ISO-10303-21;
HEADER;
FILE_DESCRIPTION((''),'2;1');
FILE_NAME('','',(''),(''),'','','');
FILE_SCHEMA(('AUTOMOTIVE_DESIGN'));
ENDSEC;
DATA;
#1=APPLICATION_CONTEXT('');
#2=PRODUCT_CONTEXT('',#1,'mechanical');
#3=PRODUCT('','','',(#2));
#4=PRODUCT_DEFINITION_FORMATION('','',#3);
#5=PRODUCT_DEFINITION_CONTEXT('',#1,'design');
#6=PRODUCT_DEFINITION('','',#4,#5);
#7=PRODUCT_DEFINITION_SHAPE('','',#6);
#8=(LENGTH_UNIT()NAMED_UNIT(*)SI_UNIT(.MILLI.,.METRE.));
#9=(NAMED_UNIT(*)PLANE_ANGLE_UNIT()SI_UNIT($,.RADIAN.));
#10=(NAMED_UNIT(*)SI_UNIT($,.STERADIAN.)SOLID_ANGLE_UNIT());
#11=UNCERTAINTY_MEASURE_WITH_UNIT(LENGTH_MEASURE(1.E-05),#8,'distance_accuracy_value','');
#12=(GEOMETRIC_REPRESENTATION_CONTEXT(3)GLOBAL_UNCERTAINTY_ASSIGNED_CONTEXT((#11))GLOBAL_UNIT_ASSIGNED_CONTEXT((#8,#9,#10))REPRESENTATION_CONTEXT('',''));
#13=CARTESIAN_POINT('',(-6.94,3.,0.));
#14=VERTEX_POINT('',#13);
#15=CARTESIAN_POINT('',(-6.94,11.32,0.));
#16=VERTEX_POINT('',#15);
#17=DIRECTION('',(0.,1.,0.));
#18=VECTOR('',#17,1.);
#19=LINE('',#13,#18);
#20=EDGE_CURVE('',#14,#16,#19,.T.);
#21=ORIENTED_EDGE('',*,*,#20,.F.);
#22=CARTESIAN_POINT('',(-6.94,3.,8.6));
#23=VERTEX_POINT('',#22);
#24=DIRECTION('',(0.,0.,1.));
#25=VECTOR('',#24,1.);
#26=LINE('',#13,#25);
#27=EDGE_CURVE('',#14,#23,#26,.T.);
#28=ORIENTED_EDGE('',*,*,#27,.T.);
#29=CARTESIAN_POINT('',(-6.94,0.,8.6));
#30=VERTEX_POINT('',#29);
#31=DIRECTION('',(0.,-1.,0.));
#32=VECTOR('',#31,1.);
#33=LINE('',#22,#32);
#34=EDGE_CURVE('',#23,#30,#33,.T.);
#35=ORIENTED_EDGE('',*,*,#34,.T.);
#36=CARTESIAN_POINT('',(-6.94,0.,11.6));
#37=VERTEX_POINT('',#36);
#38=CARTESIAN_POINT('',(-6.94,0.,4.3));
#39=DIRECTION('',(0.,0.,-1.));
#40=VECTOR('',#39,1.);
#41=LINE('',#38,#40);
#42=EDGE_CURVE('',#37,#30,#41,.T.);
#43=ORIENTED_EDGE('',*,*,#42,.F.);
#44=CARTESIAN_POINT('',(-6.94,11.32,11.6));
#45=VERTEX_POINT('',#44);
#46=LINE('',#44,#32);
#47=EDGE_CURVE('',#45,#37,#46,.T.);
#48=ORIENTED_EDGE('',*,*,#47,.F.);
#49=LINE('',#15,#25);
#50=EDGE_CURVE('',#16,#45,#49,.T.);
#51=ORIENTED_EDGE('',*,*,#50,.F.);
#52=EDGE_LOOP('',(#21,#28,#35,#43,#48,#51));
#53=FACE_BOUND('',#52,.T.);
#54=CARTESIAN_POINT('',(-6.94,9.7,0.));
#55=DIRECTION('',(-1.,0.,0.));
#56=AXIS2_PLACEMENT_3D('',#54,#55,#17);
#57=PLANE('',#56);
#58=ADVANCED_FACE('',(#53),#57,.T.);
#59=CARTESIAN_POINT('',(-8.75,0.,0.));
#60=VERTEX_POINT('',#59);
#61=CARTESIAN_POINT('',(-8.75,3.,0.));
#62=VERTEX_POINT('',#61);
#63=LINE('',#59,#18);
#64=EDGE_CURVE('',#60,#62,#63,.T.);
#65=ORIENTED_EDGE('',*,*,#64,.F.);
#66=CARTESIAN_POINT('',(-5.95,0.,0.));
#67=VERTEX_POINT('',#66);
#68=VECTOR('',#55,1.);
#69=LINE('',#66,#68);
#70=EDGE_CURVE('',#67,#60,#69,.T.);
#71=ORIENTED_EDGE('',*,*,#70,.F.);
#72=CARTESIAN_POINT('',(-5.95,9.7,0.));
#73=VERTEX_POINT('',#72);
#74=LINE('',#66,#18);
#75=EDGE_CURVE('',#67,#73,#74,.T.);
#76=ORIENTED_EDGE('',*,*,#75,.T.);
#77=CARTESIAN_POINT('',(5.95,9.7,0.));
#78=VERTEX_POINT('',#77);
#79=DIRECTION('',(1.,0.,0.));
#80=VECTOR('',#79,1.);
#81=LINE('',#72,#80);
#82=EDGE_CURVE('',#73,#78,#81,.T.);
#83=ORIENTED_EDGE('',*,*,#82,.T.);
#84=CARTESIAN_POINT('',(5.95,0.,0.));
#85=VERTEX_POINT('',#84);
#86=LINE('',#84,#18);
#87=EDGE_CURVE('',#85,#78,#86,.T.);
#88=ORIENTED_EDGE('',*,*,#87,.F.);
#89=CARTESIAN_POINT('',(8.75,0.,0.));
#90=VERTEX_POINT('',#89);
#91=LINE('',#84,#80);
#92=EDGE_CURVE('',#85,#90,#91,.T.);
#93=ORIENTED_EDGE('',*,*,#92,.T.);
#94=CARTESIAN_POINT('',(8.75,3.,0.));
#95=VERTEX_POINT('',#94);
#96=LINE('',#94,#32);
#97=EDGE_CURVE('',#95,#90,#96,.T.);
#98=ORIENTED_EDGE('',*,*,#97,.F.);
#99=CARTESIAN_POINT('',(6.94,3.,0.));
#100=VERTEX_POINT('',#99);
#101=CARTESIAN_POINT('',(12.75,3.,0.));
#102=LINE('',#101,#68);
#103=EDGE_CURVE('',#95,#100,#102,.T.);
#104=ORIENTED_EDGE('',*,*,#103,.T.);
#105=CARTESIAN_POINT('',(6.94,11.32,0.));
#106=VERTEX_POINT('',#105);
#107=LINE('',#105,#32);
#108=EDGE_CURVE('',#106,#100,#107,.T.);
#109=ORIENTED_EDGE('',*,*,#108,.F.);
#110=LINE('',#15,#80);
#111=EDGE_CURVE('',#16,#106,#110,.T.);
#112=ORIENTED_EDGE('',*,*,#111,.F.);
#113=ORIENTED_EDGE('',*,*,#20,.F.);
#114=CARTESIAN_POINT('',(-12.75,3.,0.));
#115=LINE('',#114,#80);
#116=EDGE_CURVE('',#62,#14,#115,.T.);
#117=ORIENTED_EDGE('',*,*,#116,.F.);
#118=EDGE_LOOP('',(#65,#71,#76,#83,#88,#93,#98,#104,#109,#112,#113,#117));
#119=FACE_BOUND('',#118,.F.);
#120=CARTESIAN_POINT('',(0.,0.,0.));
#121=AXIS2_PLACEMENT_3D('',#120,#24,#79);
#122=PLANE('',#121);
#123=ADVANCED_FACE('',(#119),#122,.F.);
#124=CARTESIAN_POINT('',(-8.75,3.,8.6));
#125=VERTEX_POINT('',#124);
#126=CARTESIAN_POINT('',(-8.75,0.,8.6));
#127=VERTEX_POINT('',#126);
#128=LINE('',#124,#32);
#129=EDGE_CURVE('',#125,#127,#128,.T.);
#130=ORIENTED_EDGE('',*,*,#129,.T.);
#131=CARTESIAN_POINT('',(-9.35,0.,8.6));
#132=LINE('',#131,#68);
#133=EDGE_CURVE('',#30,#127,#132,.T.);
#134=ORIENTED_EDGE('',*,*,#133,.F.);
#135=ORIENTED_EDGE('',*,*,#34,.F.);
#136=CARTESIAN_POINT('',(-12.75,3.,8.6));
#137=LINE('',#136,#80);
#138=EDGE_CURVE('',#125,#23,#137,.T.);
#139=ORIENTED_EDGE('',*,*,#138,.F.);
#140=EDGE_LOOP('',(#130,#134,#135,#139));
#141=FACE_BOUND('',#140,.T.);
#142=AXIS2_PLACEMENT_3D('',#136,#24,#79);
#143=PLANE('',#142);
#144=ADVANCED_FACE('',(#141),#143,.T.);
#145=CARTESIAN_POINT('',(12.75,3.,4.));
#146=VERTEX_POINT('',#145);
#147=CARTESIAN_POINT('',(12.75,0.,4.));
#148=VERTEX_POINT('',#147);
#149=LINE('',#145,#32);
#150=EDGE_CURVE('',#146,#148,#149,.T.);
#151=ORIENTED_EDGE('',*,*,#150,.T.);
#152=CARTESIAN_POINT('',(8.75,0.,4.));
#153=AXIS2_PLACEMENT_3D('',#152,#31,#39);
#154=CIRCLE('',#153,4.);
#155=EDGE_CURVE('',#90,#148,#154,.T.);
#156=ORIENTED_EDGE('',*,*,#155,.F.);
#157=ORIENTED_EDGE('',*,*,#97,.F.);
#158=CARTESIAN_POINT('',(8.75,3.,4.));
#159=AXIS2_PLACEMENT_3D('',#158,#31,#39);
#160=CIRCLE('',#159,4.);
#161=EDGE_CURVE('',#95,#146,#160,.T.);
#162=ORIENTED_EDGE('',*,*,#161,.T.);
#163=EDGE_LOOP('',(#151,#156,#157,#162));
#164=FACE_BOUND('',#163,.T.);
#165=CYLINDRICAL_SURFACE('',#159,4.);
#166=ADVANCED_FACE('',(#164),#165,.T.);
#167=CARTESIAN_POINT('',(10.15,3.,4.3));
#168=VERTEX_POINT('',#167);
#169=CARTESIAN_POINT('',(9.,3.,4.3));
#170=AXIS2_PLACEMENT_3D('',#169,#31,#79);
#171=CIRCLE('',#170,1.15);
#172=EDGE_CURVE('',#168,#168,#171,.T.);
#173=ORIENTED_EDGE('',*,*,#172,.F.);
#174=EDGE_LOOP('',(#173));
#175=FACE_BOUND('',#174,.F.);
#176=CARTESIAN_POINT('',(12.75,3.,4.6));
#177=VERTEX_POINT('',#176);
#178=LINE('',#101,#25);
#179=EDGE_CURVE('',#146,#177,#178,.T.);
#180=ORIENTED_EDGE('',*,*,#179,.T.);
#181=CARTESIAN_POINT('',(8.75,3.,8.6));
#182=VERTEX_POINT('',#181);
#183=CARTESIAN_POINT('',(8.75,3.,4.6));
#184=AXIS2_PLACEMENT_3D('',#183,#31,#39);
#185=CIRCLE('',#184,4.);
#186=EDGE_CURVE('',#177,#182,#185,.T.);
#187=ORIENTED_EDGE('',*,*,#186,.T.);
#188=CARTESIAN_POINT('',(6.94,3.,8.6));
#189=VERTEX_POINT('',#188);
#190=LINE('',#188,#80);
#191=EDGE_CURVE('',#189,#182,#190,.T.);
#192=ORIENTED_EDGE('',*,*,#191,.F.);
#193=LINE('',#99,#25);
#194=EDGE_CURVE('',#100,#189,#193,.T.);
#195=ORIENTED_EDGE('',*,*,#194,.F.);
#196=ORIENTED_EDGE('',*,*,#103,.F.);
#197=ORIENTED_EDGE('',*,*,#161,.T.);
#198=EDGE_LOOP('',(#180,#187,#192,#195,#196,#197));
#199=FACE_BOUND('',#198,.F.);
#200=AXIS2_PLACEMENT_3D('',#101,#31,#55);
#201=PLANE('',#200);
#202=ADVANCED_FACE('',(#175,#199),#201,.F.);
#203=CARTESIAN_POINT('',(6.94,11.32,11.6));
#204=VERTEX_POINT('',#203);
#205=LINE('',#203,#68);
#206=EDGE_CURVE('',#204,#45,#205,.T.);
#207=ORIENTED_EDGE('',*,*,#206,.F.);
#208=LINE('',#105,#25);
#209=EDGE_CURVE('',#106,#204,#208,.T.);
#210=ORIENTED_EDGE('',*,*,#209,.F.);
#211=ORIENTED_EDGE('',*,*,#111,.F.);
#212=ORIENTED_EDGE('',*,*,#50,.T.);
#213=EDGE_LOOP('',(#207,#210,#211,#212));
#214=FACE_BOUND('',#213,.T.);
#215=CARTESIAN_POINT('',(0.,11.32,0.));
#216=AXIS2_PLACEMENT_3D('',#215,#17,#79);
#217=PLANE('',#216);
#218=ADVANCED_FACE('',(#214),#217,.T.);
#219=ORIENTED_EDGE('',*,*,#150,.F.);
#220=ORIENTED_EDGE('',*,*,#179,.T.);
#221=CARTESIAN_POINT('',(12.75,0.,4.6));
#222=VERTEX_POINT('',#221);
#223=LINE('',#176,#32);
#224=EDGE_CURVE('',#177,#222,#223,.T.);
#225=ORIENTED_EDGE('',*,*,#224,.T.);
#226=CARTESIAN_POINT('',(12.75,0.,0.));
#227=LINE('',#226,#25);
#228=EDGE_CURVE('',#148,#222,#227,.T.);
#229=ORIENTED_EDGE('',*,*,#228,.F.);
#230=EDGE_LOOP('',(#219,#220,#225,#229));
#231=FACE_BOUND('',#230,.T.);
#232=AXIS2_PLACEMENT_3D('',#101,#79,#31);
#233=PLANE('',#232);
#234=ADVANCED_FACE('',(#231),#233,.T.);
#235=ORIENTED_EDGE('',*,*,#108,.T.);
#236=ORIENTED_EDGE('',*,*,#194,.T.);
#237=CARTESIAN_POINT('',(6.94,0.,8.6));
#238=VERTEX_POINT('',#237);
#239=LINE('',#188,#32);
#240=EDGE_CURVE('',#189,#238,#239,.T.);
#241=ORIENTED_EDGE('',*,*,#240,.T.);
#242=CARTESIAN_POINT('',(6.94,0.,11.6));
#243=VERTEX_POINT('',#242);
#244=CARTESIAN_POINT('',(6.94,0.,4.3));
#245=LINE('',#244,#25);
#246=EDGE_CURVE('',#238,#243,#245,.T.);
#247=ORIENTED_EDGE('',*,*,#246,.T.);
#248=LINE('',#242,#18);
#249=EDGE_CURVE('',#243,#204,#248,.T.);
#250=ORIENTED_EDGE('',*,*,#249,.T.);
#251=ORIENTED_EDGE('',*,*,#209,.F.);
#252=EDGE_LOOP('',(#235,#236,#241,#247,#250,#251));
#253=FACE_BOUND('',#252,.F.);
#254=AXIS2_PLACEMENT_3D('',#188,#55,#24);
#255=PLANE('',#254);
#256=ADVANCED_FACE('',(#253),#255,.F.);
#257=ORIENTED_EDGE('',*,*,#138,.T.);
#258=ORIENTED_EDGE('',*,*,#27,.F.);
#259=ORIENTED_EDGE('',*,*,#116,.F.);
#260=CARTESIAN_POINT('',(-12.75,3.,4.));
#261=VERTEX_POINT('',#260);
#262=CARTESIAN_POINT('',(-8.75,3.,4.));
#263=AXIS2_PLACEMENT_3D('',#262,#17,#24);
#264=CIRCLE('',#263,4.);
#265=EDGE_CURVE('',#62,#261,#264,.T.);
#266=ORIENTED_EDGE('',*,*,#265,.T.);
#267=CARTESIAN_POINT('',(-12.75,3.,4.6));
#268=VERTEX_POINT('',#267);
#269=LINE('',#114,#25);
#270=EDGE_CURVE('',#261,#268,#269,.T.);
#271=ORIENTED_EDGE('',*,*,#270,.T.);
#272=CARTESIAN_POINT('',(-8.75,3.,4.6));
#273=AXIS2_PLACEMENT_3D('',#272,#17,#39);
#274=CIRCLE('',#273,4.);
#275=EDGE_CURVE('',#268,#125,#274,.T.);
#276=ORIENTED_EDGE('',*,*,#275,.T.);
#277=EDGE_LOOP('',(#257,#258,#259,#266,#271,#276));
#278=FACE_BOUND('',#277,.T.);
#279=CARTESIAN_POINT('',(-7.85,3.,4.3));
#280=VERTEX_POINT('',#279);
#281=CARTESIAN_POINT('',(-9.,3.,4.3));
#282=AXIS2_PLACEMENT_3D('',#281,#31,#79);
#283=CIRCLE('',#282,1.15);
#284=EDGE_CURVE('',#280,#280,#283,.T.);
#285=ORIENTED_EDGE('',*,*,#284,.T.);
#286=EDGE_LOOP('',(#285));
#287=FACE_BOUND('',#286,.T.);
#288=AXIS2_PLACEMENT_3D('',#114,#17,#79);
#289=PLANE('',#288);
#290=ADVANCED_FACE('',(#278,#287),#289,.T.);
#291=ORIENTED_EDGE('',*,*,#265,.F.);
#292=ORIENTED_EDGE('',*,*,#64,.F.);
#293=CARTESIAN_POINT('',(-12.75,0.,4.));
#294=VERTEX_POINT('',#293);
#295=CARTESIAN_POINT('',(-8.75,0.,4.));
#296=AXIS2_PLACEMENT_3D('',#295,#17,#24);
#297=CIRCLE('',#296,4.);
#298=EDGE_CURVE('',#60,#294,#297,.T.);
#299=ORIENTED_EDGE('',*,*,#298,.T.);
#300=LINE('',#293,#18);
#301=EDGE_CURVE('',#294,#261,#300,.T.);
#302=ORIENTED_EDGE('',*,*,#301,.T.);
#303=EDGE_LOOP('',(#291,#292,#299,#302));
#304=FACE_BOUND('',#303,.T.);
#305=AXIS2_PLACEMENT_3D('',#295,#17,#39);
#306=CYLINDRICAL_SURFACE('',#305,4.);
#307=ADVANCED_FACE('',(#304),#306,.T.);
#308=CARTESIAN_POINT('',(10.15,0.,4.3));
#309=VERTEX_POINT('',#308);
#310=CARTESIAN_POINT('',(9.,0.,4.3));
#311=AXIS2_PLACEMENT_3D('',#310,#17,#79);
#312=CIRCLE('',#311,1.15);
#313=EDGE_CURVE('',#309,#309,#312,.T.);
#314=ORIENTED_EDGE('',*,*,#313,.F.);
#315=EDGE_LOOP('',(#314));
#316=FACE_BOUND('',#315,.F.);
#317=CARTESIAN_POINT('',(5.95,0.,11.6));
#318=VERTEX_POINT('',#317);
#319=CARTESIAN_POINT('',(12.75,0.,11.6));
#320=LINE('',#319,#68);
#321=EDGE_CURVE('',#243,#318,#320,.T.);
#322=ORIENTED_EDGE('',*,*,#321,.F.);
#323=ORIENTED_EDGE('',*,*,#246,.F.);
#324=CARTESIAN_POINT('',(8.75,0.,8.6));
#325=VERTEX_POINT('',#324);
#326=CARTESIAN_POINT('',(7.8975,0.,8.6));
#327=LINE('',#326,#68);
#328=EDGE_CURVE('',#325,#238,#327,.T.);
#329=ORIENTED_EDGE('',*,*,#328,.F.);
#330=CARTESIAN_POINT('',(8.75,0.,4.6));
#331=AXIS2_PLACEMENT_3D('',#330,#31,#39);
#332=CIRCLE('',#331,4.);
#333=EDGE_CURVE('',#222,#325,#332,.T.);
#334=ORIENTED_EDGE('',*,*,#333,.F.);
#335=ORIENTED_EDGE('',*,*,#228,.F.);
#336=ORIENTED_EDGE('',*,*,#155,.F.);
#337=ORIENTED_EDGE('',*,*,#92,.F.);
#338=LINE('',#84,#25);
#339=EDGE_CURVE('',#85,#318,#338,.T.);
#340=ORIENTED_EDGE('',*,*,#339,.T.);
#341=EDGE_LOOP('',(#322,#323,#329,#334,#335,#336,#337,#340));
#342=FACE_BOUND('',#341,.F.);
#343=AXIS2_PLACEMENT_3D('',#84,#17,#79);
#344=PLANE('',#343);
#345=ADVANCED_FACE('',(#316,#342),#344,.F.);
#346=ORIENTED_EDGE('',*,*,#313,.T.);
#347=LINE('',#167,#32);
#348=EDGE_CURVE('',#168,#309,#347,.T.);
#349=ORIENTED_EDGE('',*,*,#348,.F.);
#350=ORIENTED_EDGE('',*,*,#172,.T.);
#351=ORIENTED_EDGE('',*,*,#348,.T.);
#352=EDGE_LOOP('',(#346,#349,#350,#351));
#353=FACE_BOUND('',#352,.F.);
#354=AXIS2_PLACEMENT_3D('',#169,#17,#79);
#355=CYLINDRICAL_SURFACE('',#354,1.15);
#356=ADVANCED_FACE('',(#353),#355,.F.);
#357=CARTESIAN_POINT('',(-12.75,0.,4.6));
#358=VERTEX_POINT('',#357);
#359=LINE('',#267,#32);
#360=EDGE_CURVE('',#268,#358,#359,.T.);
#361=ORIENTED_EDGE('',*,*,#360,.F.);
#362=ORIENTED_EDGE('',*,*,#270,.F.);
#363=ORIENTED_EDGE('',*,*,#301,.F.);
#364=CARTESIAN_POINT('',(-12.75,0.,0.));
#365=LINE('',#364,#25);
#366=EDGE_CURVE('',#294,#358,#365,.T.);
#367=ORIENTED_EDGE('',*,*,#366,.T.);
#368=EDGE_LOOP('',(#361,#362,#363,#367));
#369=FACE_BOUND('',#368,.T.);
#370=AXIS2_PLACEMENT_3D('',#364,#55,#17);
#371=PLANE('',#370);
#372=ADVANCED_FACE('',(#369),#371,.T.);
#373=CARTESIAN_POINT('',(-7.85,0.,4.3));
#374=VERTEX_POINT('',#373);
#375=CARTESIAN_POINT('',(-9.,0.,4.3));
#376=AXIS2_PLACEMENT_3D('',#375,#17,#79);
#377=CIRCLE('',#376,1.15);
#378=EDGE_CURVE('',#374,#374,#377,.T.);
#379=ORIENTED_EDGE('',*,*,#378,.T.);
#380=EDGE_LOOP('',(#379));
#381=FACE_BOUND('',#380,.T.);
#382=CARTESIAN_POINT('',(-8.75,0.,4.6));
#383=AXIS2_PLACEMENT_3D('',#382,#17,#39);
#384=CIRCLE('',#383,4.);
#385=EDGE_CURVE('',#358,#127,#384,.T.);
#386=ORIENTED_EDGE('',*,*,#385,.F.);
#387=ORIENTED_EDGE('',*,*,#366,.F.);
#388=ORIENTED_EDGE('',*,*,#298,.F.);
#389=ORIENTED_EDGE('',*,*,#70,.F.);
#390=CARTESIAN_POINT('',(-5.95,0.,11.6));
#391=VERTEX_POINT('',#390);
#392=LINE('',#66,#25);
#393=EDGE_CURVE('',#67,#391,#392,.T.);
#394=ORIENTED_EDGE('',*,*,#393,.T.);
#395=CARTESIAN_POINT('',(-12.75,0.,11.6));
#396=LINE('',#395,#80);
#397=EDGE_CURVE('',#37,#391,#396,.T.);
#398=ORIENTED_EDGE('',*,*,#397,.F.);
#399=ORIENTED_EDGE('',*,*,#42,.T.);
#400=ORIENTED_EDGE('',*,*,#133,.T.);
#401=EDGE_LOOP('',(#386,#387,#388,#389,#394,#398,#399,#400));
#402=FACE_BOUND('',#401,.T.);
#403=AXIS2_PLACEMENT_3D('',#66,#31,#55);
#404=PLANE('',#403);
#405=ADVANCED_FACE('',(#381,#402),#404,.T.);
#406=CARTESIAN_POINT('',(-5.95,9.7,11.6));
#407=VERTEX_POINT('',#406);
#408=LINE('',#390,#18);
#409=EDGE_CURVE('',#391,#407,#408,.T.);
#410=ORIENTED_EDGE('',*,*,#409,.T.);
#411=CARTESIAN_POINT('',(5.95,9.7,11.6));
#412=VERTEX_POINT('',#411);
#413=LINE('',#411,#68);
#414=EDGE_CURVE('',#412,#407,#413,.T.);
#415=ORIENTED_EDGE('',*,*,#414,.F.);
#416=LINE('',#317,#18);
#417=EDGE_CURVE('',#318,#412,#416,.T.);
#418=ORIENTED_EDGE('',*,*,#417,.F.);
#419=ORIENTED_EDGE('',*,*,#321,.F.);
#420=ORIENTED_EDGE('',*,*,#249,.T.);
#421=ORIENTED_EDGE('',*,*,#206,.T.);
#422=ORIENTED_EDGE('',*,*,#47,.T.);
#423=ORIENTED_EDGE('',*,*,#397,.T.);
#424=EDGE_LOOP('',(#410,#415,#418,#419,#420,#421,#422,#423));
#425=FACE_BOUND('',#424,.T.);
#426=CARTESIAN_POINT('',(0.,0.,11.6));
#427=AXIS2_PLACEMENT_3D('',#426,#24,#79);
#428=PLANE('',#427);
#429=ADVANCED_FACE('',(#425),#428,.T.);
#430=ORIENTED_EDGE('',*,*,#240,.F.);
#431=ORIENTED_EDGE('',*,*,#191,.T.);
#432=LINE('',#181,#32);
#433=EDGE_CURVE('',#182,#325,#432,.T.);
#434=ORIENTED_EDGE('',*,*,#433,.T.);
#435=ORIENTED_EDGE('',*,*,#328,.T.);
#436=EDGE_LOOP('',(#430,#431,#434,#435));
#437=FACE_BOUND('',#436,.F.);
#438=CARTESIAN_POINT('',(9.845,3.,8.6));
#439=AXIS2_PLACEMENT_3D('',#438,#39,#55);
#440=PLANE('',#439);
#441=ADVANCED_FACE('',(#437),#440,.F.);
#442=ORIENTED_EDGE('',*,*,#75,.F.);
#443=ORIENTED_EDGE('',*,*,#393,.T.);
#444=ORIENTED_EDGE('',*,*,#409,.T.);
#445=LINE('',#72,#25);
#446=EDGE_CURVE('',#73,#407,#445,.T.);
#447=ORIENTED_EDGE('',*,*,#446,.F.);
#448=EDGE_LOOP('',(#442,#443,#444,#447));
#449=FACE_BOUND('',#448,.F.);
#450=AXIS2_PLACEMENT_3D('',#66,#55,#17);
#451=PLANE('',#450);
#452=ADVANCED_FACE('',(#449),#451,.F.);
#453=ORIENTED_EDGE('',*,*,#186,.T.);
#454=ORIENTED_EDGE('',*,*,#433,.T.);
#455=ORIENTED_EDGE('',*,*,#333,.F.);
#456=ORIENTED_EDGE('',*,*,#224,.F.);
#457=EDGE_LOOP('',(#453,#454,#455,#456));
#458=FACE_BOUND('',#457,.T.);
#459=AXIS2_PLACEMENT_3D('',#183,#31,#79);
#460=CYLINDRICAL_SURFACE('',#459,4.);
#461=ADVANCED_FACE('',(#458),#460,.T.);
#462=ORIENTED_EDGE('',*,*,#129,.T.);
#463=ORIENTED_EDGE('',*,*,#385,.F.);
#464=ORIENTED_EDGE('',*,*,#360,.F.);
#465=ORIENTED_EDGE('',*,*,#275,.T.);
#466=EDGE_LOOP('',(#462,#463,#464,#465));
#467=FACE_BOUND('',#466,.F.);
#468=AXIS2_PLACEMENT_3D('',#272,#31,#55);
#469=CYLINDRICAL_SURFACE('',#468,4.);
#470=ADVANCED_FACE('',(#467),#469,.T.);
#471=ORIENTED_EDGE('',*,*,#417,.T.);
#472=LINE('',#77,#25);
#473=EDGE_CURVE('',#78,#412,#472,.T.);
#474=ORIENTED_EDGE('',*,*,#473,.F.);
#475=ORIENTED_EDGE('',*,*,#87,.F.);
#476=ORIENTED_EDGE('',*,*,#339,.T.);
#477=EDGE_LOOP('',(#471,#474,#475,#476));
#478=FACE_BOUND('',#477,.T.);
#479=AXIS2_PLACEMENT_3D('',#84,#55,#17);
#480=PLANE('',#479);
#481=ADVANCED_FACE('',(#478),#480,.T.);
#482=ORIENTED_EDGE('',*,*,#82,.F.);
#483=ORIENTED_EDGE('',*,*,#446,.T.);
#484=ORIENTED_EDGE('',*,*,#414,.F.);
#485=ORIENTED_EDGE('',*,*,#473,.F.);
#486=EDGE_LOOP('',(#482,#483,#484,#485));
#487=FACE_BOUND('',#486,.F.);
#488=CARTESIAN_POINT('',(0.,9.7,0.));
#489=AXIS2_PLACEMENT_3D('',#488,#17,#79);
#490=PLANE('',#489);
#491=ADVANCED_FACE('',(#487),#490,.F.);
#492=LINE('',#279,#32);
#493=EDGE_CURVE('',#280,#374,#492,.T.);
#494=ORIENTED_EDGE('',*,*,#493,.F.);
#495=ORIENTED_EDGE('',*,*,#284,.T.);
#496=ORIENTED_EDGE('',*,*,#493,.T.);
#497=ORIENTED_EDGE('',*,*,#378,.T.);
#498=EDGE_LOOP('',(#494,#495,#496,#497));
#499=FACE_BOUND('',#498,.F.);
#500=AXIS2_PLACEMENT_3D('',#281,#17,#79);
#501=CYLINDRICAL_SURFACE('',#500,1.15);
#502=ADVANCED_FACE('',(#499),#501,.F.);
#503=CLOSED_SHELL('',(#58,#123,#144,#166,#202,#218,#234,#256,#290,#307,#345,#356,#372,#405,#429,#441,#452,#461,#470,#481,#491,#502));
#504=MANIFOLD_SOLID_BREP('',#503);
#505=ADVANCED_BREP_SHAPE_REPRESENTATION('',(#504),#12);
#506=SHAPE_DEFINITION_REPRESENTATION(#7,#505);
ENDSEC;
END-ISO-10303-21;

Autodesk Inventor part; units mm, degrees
ref_plane "YZ Plane" through (0, 0, 0) normal (1, 0, 0) x (0, 1, 0)
ref_plane "XZ Plane" through (0, 0, 0) normal (0, 1, 0) x (-1, 0, 0)
ref_plane "XY Plane" through (0, 0, 0) normal (0, 0, 1) x (1, 0, 0)
sketch "Sketch1" plane through (0, 0, 0) normal (0, 0, 1) x (1, 0, 0)
  line L0 (0, 0) -> (12.75, 0)
  line L1 (0, 0) -> (-12.75, 0)
  line L2 (-12.75, 0) -> (-12.75, 11.32)
  line L3 (-12.75, 11.32) -> (12.75, 11.32)
  line L4 (12.75, 11.32) -> (12.75, 0)
  line L5 (0, 0) -> (-5.95, 0)
  line L6 (0, 0) -> (5.95, 0)
  line L7 (12.75, 0) -> (6.94, 0)
  line L8 (0, 11.32) -> (0, 9.7)
  line L9 (0, 9.7) -> (6.94, 9.7)
  line L10 (6.94, 9.7) -> (6.94, 0)
  line L11 (0, 0) -> (0, 11.32)
  line L12 (0, 9.7) -> (-6.94, 9.7)
  line L13 (-6.94, 9.7) -> (-6.94, 0)
  line L14 (-12.75, 0) -> (-6.94, 0)
  line L15 (12.75, 0) -> (12.75, 3)
  line L16 (12.75, 3) -> (6.94, 3)
  line L17 (-12.75, 3) -> (-6.94, 3)
  line L18 (-6.94, 9.7) -> (-6.94, 11.32)
  line L19 (6.94, 9.7) -> (6.94, 11.32)
  line L20 (5.95, 0) -> (5.95, 9.7)
  line L21 (-5.95, 0) -> (-5.95, 9.7)
  dimension "d0" = 12.75
  dimension "d1" = 12.75
  dimension "d2" = 11.32
  dimension "d3" = 25.5
  dimension "d4" = 5.95
  dimension "d5" = 5.95
  dimension "d6" = 5.81
  dimension "d7" = 1.62
  dimension "d8" = 5.81
  dimension "d9" = 3
extrude "Extrusion1" add sketch "Sketch1" along normal blind 11.6 contours L20 L9 L10 L0 | L1 L13 L12 L21 | L12 L18 L3 L8 | L8 L3 L19 L9 | L10 L16 L4 L0 | L1 L2 L17 L13
sketch "Sketch2" plane through (6.94, 3, 0) normal (0, 1, 0) x (1, 0, 0)
  line L0 (-6.94, 0) -> (-6.94, -11.6)
  line L1 (-12.89, -11.6) -> (-0.99, -11.6) projected
  line L2 (-0.99, -11.6) -> (5.81, -11.6) projected
  line L3 (5.81, -11.6) -> (5.81, -8.6)
  line L4 (5.81, -8.6) -> (0, -8.6)
  line L5 (0, 0) -> (0, -11.6) projected
  line L6 (0, -11.6) -> (5.81, -11.6)
  line L7 (2.905, -8.6) -> (2.905, 0)
  line L8 (-0.99, 0) -> (5.81, 0) projected
  line L9 (5.81, 0) -> (5.81, -11.6) projected
  line L10 (5.81, -8.6) -> (5.81, 0)
  line L11 (-12.89, -11.6) -> (-19.69, -11.6)
  line L12 (-19.69, -11.6) -> (-19.69, -8.6)
  line L13 (-19.69, -8.6) -> (-13.88, -8.6)
  line L14 (-13.88, 0) -> (-13.88, -11.6)
  line L15 (-16.785, -8.6) -> (-16.785, 0)
  dimension "d12" = 3
extrude "Extrusion2" cut sketch "Sketch2" against normal blind 11.6 contours L5 L4 L3 L2 | L11 L12 L13 L14
fillet "Fillet1" radius 4 4 edges at (-12.75, 1.5, 0) (-12.75, 1.5, 8.6) (12.75, 1.5, 0) (12.75, 1.5, 8.6)
sketch "Sketch4" plane through (6.94, 3, 8.6) normal (0, 1, 0) x (1, 0, 0)
  line L0 (5.81, 4.6) -> (5.81, 4) projected
  line L1 (5.81, 4.3) -> (-19.69, 4.3)
  line L2 (-19.69, 4.6) -> (-19.69, 4) projected
  line L3 (-6.94, 8.6) -> (-6.94, 4.3)
  line L4 (-6.94, 4.3) -> (2.06, 4.3)
  line L5 (-6.94, 4.3) -> (-15.94, 4.3)
  circle A0 centre (-15.94, 4.3) radius 1.15
  circle A1 centre (2.06, 4.3) radius 1.15
  dimension "d16" = 9
  dimension "d17" = 9
  dimension "d18" = 2.3
  dimension "d19" = 2.3
extrude "Extrusion3" cut sketch "Sketch4" against normal blind 11.6
properties part number "SoporteMotor_3.0"
